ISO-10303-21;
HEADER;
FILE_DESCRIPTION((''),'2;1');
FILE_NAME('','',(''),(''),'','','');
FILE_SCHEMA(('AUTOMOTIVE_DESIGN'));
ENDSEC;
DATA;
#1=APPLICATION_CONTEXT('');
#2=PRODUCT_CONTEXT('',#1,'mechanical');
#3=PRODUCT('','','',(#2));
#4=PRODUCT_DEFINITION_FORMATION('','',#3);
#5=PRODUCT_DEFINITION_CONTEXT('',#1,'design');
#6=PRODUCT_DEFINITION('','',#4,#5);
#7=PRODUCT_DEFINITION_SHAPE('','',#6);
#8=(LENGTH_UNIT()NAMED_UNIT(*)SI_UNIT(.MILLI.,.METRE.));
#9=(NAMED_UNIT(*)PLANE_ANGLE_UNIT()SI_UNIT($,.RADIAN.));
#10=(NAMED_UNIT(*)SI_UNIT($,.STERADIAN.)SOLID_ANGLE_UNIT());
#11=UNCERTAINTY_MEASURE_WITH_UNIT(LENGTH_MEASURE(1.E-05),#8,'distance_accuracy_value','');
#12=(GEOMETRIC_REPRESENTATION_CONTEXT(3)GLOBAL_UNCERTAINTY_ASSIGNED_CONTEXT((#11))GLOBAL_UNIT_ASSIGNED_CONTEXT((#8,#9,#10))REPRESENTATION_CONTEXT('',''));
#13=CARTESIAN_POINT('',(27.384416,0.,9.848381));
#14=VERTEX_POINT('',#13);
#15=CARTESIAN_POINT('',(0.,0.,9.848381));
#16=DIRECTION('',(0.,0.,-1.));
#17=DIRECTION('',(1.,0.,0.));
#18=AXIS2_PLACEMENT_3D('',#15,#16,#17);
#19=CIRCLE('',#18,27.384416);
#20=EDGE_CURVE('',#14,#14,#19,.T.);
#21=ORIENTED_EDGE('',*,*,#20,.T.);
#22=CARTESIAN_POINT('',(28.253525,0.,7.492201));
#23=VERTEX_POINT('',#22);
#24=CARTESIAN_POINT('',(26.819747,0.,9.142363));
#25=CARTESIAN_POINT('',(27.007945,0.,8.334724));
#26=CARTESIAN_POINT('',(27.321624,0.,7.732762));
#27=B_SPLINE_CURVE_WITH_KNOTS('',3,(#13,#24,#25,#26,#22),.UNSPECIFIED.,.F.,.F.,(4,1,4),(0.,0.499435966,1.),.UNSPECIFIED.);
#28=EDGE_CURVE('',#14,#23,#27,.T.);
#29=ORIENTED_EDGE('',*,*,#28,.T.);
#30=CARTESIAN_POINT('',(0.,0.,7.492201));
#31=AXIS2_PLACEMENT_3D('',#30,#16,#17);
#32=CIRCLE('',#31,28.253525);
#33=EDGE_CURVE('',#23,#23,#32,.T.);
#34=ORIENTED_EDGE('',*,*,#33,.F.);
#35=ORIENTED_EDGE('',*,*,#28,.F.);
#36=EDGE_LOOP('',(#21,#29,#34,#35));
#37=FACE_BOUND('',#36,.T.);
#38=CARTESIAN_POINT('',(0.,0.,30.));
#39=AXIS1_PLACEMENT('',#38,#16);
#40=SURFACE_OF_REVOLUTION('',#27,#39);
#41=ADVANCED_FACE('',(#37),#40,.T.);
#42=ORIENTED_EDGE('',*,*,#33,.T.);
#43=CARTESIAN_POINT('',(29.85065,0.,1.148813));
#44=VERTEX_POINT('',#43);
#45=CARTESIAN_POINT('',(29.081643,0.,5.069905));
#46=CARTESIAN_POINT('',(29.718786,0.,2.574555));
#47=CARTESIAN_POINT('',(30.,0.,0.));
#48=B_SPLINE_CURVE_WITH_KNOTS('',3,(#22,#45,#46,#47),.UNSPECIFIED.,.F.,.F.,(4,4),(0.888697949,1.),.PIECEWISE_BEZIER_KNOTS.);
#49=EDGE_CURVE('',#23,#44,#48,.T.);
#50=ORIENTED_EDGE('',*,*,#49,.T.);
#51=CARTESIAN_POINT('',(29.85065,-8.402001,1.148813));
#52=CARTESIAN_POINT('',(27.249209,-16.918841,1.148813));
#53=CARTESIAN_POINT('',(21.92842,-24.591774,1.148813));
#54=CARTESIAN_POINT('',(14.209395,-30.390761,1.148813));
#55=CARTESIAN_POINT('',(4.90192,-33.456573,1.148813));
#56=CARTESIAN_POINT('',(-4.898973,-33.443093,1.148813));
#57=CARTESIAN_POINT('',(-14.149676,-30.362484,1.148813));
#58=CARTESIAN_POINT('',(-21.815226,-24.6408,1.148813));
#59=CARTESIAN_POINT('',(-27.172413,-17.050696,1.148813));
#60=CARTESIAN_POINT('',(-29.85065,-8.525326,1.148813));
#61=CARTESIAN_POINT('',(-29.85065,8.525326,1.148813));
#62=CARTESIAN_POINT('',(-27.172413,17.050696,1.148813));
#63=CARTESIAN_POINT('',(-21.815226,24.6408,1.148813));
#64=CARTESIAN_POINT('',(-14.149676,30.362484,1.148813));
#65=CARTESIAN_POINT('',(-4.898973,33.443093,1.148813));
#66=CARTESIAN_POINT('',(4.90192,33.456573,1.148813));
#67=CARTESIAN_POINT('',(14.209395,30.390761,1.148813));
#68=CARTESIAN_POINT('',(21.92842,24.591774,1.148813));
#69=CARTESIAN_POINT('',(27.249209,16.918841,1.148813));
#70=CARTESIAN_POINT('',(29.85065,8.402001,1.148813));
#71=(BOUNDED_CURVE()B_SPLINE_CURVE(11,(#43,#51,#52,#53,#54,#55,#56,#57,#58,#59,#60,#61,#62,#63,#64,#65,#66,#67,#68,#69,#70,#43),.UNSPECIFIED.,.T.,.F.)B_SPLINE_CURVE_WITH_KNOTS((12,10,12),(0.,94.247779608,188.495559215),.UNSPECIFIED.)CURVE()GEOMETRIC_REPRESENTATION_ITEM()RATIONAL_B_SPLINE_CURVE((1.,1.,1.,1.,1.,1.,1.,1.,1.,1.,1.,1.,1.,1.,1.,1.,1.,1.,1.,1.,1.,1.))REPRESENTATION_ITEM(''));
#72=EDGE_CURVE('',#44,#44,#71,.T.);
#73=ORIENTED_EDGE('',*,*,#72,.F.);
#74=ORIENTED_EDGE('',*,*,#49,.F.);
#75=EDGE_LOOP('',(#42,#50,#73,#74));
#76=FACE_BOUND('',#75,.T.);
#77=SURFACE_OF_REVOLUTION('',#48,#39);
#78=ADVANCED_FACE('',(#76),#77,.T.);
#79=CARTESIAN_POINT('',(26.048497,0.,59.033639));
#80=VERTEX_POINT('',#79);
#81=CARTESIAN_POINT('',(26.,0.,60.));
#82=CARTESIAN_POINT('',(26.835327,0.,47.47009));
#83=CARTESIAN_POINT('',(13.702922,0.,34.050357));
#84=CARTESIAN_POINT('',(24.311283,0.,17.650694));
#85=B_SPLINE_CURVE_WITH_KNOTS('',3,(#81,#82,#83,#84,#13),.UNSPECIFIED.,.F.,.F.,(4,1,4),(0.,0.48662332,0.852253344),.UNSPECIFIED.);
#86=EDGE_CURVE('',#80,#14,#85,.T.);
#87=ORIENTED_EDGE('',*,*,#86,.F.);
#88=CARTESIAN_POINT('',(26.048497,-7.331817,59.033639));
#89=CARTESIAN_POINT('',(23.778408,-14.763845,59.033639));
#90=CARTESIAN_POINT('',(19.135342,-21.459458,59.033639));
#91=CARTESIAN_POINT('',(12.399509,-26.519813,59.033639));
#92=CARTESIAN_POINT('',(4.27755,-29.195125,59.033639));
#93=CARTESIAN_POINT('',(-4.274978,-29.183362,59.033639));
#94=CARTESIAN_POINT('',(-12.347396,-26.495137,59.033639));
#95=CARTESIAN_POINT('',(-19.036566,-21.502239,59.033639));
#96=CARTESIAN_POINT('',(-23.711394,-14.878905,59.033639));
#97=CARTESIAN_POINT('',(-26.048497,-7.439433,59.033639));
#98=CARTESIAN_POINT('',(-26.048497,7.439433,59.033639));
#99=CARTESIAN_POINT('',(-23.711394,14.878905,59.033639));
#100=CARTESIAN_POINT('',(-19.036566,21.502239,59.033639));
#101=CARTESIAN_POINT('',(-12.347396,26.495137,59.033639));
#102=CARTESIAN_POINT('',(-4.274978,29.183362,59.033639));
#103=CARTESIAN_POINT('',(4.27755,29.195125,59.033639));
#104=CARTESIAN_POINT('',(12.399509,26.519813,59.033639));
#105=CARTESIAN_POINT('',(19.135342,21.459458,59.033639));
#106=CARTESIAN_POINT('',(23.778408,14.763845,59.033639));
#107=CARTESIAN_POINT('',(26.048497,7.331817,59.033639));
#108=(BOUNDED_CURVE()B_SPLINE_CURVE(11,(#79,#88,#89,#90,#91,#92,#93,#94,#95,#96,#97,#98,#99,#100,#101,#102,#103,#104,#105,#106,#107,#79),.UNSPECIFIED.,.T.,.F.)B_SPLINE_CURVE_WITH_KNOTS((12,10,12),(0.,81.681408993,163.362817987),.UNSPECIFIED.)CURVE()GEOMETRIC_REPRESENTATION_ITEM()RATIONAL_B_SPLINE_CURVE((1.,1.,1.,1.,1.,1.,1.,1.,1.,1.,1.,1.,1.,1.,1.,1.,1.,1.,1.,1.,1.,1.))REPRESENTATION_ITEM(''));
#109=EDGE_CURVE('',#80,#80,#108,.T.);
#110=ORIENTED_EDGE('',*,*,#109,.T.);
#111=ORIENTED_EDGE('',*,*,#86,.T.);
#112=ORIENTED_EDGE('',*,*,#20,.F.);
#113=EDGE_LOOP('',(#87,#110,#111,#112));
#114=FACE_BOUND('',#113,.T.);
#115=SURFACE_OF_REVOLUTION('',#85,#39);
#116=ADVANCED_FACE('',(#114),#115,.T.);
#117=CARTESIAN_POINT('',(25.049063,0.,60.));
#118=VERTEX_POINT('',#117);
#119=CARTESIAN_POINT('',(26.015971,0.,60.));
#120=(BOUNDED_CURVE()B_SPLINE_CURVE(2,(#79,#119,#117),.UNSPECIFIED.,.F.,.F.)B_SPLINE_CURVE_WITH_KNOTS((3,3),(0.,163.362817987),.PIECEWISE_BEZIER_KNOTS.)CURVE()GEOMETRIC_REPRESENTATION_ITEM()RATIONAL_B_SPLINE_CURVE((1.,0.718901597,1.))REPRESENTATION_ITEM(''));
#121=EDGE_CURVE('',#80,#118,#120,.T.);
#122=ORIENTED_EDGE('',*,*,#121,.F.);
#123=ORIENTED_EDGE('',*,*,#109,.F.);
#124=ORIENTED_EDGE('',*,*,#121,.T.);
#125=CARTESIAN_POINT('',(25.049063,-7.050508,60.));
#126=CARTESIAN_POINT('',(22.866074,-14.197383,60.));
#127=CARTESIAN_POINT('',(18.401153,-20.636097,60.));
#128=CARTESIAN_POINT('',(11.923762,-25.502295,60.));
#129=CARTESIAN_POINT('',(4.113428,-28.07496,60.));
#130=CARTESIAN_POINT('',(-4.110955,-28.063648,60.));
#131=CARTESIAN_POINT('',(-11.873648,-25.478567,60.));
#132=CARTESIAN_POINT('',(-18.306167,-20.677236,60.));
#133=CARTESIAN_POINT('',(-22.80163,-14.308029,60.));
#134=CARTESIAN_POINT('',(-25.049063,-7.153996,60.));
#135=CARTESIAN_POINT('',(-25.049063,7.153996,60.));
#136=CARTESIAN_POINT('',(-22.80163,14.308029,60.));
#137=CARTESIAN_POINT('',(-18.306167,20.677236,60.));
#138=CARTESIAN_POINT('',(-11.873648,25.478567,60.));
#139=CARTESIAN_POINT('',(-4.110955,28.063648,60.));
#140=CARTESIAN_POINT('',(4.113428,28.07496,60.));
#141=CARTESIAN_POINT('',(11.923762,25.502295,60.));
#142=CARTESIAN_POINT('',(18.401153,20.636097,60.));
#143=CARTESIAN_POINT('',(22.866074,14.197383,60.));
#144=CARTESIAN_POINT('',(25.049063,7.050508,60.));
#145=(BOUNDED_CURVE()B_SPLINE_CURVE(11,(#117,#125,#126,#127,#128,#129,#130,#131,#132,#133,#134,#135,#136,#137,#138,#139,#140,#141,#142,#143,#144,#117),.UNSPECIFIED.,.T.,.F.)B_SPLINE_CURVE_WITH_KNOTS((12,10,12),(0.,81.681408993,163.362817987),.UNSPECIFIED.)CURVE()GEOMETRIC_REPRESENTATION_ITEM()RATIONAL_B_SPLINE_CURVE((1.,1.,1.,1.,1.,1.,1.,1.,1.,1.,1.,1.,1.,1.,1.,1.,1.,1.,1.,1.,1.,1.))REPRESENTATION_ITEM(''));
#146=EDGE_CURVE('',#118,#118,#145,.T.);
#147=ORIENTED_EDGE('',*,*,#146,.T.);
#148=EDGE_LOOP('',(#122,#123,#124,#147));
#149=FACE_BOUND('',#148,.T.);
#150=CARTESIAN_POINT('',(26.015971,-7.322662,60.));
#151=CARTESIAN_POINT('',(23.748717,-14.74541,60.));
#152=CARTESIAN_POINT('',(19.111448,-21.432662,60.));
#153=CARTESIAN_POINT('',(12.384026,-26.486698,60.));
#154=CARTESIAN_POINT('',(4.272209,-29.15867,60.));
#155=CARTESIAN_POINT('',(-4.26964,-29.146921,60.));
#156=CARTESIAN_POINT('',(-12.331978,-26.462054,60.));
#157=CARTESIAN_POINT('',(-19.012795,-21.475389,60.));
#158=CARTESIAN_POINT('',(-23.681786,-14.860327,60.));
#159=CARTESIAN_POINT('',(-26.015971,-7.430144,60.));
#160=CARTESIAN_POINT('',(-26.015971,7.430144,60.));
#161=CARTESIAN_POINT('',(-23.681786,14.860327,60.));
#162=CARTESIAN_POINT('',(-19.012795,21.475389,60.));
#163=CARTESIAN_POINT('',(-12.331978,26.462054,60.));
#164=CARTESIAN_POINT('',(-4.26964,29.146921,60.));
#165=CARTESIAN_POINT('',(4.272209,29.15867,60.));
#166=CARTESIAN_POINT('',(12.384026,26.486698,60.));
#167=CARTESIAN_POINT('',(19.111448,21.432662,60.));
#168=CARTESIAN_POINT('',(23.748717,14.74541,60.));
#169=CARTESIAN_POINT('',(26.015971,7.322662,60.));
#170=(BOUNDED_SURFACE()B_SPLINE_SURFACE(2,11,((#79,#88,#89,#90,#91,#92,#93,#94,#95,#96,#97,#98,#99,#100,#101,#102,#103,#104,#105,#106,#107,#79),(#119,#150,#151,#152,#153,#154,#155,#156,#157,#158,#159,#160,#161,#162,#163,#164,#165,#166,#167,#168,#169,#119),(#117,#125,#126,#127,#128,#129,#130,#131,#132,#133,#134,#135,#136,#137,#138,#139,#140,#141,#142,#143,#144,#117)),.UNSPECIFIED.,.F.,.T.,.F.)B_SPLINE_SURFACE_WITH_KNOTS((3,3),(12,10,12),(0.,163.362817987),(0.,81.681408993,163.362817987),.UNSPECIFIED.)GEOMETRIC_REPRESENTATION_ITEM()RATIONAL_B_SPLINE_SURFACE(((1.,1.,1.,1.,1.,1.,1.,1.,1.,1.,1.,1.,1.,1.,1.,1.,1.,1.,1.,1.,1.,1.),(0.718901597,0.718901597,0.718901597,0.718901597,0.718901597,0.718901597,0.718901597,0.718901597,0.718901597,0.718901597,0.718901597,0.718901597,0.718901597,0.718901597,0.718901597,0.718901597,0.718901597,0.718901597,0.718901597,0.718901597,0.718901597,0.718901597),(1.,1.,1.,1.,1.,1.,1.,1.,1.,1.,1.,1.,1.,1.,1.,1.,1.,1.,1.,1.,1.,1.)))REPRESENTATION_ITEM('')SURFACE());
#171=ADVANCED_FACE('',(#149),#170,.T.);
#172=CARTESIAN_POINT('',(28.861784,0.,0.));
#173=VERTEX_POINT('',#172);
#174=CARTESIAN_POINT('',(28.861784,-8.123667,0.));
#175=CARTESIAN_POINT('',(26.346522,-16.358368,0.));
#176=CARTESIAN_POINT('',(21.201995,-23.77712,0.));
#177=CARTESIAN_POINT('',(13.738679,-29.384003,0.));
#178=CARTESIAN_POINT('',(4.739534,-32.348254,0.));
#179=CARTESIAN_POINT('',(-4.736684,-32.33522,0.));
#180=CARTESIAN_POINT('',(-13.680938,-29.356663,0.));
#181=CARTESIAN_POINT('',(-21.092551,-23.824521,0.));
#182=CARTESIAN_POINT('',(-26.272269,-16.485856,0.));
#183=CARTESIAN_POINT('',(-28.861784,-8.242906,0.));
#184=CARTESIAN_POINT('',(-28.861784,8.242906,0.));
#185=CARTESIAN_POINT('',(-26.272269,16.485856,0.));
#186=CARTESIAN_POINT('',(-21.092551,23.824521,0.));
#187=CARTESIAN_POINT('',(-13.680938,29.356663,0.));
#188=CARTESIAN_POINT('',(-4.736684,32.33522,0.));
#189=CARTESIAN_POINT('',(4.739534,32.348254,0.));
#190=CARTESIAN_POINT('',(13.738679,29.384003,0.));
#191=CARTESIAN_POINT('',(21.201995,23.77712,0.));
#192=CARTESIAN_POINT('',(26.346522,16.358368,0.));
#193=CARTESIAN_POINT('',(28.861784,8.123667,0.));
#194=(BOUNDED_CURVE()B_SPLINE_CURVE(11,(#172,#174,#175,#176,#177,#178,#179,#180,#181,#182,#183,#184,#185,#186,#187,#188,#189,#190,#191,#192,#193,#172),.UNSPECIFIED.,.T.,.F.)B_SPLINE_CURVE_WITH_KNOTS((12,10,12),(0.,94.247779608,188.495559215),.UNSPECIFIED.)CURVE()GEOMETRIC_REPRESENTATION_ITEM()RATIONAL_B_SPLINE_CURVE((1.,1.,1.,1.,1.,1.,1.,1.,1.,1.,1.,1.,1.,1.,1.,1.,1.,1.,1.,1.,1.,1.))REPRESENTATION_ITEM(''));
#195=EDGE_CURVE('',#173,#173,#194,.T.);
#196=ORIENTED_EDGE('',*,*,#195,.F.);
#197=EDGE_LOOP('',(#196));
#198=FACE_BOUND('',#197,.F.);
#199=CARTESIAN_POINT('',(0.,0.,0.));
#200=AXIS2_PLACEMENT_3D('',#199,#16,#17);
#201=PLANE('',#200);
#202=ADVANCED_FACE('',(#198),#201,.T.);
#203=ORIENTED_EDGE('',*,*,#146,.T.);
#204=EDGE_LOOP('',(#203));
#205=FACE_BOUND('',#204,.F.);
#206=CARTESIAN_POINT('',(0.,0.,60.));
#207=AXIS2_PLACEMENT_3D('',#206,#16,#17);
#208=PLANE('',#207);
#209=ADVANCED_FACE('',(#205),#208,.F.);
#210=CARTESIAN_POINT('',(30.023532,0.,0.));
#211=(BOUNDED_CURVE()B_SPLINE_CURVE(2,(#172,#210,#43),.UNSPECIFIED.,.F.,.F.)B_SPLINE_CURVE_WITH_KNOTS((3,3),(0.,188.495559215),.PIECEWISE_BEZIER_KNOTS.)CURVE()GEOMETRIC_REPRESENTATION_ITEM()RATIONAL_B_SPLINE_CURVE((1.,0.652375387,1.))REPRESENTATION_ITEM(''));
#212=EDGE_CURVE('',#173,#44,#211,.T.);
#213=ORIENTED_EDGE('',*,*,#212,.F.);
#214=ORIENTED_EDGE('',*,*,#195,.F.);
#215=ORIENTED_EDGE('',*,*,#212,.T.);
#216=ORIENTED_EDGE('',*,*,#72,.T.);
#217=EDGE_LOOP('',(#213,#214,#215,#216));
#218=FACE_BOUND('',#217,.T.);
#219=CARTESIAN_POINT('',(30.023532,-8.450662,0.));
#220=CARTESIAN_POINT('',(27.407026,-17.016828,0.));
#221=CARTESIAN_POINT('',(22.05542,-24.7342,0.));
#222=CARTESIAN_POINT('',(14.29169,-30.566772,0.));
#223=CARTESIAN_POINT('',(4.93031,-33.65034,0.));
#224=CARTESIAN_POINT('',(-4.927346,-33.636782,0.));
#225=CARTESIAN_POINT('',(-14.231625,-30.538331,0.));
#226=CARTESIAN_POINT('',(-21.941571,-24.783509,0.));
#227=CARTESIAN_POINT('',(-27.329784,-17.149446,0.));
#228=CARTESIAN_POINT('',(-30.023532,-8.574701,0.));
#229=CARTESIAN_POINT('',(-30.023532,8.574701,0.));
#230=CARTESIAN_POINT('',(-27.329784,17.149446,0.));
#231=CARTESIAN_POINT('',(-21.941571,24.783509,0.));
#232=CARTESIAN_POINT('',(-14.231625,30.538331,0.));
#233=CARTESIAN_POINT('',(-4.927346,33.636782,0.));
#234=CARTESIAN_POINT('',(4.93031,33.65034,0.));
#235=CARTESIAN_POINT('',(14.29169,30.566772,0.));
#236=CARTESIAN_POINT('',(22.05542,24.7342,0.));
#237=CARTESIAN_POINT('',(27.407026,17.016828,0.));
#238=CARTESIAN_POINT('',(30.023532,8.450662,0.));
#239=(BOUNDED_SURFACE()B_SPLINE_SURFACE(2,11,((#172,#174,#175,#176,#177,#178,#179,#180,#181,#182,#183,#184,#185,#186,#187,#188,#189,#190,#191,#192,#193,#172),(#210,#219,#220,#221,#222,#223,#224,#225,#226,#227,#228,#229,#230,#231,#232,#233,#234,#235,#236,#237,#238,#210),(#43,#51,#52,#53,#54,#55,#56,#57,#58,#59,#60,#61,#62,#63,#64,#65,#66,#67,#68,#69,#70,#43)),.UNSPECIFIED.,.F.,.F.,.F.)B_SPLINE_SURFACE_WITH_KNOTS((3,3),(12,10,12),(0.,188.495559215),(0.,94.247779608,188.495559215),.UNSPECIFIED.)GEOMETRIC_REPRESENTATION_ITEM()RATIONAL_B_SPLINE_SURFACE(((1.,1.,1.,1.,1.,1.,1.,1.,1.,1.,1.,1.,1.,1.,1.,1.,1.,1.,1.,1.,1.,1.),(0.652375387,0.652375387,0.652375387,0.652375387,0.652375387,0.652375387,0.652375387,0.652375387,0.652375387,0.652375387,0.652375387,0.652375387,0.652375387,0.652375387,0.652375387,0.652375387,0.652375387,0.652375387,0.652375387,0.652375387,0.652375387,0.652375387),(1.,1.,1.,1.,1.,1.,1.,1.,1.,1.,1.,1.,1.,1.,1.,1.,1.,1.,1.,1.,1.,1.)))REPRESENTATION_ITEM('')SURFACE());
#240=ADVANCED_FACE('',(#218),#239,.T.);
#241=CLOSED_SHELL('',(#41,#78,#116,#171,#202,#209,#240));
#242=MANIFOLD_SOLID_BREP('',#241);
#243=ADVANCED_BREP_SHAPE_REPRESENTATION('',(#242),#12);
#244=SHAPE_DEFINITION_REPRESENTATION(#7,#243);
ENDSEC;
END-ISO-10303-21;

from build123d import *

# Parameters (mm, degrees)
F2_R = 1


with BuildPart() as f1:
    # F0 (on Front) → F1 (revolve)
    with BuildSketch(Plane.XZ):
        with BuildLine():
            Line((0, 60), (0, 0))
            Line((0, 0), (30, 0))
            add(Edge.make_bspline(
                [(28.2535254993, 7.4922008709), (29.0816434848, 5.0699046184), (29.7187862843, 2.574555397), (30, 0)],
                knots=[0.8886979492, 0.8886979492, 0.8886979492, 0.8886979492, 1, 1, 1, 1], degree=3))
            add(Edge.make_bspline(
                [(27.3844158402, 9.8483805683), (26.8197469413, 9.1423625126), (27.0079453522, 8.3347235095), (27.3216242156, 7.7327615612), (28.2535254993, 7.4922008709)],
                knots=[0, 0, 0, 0, 0.4994359661, 1, 1, 1, 1], degree=3))
            add(Edge.make_bspline(
                [(26, 60), (26.8353273245, 47.4700901322), (13.7029216022, 34.0503572985), (24.311282728, 17.6506935674), (27.3844158402, 9.8483805683)],
                knots=[0, 0, 0, 0, 0.4866233196, 0.8522533436, 0.8522533436, 0.8522533436, 0.8522533436], degree=3))
            Line((26, 60), (0, 60))
        make_face()
    revolve(axis=Axis((0, 0, 30), (0, 0, -1)))

    # F2
    f2_edges = [f1.edges().sort_by_distance(p)[0] for p in [
        (-26, 0, 60),
        (-30, 0, 0),
    ]]
    fillet(f2_edges, radius=F2_R)


solid = f1.part
